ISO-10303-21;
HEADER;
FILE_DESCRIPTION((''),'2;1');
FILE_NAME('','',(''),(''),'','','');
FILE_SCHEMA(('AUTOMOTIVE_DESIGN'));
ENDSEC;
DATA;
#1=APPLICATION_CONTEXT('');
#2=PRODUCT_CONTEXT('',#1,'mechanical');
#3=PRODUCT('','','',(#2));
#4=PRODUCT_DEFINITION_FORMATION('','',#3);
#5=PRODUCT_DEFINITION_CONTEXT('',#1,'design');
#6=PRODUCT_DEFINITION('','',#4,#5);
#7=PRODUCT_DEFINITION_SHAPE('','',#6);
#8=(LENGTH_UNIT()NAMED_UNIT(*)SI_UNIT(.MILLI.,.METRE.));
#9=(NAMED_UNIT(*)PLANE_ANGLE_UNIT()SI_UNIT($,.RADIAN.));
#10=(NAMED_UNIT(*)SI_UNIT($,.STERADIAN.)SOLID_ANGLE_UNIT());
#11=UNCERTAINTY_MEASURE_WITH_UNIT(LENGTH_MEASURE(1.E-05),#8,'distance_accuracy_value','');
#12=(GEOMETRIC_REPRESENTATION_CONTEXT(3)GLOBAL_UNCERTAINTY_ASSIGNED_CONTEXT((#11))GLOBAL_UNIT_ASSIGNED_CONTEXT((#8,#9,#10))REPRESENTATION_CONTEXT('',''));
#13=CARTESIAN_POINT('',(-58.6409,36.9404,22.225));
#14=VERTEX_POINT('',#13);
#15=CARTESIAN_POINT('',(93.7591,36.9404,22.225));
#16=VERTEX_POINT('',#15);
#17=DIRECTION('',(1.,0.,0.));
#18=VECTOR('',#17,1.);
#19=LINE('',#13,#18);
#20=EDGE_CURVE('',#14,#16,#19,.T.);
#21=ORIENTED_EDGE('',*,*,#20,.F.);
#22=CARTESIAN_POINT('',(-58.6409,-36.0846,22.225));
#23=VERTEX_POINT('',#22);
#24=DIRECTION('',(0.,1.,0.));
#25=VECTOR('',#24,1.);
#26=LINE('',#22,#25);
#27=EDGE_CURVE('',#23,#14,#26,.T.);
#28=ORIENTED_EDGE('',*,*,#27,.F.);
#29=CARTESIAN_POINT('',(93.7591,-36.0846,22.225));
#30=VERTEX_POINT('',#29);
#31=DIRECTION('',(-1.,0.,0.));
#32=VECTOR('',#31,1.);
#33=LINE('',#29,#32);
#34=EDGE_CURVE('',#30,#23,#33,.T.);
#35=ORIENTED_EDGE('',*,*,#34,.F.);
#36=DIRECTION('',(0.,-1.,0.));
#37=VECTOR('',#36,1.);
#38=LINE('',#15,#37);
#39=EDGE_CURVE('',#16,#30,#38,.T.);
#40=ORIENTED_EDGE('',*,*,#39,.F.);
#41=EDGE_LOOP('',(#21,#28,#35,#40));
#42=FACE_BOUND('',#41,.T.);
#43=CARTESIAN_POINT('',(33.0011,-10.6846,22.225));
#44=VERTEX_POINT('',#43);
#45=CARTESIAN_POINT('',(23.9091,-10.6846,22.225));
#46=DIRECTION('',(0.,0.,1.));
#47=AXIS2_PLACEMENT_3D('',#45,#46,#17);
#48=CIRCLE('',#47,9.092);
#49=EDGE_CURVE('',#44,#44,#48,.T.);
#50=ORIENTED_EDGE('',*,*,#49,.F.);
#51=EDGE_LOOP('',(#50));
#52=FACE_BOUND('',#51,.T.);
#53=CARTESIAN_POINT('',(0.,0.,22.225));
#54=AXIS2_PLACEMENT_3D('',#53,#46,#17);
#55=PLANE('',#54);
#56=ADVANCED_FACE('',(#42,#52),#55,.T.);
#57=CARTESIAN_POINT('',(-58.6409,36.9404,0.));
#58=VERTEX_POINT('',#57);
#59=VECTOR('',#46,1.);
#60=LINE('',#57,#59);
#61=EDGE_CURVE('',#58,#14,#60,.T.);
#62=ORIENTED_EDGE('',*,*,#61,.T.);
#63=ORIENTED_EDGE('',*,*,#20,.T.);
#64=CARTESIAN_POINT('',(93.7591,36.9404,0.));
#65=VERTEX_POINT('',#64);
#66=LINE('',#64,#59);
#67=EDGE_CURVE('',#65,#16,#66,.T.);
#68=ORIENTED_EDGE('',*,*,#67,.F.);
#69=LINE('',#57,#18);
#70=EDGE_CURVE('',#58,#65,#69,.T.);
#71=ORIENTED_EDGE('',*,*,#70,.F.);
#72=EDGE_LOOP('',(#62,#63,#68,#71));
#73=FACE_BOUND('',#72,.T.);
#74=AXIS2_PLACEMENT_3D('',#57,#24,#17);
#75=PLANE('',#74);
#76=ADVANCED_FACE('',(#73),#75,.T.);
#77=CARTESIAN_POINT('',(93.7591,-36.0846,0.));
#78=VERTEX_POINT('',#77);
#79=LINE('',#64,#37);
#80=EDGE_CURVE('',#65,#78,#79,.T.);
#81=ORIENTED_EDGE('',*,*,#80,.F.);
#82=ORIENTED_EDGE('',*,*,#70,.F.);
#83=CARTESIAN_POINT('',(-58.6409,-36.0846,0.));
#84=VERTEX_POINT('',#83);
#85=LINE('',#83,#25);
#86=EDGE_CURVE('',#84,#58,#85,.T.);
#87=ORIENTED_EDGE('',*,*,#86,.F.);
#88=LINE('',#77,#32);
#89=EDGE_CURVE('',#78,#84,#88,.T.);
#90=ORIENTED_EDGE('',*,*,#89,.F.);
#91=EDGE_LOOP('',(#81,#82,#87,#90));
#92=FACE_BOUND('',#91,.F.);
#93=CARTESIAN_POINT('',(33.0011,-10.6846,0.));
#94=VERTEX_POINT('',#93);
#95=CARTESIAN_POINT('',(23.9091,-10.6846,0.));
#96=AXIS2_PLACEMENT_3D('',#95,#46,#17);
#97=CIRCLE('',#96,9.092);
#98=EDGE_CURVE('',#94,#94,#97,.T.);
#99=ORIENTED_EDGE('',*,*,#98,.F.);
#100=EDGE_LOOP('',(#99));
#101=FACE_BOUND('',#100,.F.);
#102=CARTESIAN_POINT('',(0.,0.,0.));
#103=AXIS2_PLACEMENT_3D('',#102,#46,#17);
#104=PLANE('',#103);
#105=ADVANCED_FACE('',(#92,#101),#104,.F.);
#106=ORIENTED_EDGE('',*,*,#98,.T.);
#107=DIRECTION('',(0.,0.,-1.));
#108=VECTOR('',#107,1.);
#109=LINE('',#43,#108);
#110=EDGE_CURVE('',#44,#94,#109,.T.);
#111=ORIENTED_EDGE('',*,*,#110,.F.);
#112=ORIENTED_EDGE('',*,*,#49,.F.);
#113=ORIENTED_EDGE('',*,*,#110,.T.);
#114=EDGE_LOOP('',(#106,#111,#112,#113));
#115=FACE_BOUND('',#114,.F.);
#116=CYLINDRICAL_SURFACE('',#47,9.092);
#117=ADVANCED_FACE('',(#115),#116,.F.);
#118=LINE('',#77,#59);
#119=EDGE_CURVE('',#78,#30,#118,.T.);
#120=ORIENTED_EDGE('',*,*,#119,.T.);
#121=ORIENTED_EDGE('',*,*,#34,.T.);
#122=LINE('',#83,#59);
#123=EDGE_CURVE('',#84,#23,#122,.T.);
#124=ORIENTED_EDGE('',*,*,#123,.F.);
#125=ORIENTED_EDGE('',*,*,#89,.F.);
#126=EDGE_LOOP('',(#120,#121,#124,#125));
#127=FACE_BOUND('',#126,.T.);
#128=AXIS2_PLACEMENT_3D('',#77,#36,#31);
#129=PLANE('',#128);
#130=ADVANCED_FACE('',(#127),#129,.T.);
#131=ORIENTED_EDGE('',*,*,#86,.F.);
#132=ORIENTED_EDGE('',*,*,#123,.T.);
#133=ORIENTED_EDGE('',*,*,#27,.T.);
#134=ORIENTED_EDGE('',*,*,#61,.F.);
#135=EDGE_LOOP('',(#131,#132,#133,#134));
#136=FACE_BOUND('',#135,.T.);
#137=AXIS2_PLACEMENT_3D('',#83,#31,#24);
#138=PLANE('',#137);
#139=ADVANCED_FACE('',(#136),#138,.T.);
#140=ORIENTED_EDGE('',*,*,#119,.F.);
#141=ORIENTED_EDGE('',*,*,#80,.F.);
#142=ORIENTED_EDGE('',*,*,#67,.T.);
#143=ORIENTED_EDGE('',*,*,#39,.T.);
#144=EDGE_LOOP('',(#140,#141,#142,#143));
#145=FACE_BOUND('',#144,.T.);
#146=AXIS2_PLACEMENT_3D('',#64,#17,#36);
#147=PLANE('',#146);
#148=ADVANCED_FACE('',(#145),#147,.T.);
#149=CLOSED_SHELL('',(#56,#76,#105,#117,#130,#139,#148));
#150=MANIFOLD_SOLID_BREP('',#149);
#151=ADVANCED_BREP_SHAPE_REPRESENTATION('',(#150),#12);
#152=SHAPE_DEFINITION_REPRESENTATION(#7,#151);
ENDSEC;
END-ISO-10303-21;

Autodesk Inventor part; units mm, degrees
ref_plane "YZ Plane" through (0, 0, 0) normal (1, 0, 0) x (0, 1, 0)
ref_plane "XZ Plane" through (0, 0, 0) normal (0, 1, 0) x (-1, 0, 0)
ref_plane "XY Plane" through (0, 0, 0) normal (0, 0, 1) x (1, 0, 0)
sketch "Sketch1" plane through (0, 0, 0) normal (0, 0, 1) x (1, 0, 0)
  line L0 (-58.6409, 36.9404) -> (93.7591, 36.9404)
  line L1 (93.7591, 36.9404) -> (93.7591, -36.0846)
  line L2 (93.7591, -36.0846) -> (-58.6409, -36.0846)
  line L3 (-58.6409, -36.0846) -> (-58.6409, 36.9404)
  point P0 (0, 0)
  dimension "d0" = 152.4
  dimension "d1" = 73.025
extrude "Extrusion1" add sketch "Sketch1" along normal blind 22.225
sketch "Sketch2" plane through (0, 0, 22.225) normal (0, 0, 1) x (1, 0, 0)
  line L0 (-58.6409, 36.9404) -> (-58.6409, -36.0846) projected
  line L1 (-58.6409, -36.0846) -> (93.7591, -36.0846) projected
  circle A0 centre (23.9091, -10.6846) radius 9.092
  point P0 (0, 0)
  dimension "d4" = 82.55
  dimension "d5" = 25.4
extrude "Extrusion2" cut sketch "Sketch2" against normal blind 22.225
properties part number "FrameEndSpacer_NERDS"
